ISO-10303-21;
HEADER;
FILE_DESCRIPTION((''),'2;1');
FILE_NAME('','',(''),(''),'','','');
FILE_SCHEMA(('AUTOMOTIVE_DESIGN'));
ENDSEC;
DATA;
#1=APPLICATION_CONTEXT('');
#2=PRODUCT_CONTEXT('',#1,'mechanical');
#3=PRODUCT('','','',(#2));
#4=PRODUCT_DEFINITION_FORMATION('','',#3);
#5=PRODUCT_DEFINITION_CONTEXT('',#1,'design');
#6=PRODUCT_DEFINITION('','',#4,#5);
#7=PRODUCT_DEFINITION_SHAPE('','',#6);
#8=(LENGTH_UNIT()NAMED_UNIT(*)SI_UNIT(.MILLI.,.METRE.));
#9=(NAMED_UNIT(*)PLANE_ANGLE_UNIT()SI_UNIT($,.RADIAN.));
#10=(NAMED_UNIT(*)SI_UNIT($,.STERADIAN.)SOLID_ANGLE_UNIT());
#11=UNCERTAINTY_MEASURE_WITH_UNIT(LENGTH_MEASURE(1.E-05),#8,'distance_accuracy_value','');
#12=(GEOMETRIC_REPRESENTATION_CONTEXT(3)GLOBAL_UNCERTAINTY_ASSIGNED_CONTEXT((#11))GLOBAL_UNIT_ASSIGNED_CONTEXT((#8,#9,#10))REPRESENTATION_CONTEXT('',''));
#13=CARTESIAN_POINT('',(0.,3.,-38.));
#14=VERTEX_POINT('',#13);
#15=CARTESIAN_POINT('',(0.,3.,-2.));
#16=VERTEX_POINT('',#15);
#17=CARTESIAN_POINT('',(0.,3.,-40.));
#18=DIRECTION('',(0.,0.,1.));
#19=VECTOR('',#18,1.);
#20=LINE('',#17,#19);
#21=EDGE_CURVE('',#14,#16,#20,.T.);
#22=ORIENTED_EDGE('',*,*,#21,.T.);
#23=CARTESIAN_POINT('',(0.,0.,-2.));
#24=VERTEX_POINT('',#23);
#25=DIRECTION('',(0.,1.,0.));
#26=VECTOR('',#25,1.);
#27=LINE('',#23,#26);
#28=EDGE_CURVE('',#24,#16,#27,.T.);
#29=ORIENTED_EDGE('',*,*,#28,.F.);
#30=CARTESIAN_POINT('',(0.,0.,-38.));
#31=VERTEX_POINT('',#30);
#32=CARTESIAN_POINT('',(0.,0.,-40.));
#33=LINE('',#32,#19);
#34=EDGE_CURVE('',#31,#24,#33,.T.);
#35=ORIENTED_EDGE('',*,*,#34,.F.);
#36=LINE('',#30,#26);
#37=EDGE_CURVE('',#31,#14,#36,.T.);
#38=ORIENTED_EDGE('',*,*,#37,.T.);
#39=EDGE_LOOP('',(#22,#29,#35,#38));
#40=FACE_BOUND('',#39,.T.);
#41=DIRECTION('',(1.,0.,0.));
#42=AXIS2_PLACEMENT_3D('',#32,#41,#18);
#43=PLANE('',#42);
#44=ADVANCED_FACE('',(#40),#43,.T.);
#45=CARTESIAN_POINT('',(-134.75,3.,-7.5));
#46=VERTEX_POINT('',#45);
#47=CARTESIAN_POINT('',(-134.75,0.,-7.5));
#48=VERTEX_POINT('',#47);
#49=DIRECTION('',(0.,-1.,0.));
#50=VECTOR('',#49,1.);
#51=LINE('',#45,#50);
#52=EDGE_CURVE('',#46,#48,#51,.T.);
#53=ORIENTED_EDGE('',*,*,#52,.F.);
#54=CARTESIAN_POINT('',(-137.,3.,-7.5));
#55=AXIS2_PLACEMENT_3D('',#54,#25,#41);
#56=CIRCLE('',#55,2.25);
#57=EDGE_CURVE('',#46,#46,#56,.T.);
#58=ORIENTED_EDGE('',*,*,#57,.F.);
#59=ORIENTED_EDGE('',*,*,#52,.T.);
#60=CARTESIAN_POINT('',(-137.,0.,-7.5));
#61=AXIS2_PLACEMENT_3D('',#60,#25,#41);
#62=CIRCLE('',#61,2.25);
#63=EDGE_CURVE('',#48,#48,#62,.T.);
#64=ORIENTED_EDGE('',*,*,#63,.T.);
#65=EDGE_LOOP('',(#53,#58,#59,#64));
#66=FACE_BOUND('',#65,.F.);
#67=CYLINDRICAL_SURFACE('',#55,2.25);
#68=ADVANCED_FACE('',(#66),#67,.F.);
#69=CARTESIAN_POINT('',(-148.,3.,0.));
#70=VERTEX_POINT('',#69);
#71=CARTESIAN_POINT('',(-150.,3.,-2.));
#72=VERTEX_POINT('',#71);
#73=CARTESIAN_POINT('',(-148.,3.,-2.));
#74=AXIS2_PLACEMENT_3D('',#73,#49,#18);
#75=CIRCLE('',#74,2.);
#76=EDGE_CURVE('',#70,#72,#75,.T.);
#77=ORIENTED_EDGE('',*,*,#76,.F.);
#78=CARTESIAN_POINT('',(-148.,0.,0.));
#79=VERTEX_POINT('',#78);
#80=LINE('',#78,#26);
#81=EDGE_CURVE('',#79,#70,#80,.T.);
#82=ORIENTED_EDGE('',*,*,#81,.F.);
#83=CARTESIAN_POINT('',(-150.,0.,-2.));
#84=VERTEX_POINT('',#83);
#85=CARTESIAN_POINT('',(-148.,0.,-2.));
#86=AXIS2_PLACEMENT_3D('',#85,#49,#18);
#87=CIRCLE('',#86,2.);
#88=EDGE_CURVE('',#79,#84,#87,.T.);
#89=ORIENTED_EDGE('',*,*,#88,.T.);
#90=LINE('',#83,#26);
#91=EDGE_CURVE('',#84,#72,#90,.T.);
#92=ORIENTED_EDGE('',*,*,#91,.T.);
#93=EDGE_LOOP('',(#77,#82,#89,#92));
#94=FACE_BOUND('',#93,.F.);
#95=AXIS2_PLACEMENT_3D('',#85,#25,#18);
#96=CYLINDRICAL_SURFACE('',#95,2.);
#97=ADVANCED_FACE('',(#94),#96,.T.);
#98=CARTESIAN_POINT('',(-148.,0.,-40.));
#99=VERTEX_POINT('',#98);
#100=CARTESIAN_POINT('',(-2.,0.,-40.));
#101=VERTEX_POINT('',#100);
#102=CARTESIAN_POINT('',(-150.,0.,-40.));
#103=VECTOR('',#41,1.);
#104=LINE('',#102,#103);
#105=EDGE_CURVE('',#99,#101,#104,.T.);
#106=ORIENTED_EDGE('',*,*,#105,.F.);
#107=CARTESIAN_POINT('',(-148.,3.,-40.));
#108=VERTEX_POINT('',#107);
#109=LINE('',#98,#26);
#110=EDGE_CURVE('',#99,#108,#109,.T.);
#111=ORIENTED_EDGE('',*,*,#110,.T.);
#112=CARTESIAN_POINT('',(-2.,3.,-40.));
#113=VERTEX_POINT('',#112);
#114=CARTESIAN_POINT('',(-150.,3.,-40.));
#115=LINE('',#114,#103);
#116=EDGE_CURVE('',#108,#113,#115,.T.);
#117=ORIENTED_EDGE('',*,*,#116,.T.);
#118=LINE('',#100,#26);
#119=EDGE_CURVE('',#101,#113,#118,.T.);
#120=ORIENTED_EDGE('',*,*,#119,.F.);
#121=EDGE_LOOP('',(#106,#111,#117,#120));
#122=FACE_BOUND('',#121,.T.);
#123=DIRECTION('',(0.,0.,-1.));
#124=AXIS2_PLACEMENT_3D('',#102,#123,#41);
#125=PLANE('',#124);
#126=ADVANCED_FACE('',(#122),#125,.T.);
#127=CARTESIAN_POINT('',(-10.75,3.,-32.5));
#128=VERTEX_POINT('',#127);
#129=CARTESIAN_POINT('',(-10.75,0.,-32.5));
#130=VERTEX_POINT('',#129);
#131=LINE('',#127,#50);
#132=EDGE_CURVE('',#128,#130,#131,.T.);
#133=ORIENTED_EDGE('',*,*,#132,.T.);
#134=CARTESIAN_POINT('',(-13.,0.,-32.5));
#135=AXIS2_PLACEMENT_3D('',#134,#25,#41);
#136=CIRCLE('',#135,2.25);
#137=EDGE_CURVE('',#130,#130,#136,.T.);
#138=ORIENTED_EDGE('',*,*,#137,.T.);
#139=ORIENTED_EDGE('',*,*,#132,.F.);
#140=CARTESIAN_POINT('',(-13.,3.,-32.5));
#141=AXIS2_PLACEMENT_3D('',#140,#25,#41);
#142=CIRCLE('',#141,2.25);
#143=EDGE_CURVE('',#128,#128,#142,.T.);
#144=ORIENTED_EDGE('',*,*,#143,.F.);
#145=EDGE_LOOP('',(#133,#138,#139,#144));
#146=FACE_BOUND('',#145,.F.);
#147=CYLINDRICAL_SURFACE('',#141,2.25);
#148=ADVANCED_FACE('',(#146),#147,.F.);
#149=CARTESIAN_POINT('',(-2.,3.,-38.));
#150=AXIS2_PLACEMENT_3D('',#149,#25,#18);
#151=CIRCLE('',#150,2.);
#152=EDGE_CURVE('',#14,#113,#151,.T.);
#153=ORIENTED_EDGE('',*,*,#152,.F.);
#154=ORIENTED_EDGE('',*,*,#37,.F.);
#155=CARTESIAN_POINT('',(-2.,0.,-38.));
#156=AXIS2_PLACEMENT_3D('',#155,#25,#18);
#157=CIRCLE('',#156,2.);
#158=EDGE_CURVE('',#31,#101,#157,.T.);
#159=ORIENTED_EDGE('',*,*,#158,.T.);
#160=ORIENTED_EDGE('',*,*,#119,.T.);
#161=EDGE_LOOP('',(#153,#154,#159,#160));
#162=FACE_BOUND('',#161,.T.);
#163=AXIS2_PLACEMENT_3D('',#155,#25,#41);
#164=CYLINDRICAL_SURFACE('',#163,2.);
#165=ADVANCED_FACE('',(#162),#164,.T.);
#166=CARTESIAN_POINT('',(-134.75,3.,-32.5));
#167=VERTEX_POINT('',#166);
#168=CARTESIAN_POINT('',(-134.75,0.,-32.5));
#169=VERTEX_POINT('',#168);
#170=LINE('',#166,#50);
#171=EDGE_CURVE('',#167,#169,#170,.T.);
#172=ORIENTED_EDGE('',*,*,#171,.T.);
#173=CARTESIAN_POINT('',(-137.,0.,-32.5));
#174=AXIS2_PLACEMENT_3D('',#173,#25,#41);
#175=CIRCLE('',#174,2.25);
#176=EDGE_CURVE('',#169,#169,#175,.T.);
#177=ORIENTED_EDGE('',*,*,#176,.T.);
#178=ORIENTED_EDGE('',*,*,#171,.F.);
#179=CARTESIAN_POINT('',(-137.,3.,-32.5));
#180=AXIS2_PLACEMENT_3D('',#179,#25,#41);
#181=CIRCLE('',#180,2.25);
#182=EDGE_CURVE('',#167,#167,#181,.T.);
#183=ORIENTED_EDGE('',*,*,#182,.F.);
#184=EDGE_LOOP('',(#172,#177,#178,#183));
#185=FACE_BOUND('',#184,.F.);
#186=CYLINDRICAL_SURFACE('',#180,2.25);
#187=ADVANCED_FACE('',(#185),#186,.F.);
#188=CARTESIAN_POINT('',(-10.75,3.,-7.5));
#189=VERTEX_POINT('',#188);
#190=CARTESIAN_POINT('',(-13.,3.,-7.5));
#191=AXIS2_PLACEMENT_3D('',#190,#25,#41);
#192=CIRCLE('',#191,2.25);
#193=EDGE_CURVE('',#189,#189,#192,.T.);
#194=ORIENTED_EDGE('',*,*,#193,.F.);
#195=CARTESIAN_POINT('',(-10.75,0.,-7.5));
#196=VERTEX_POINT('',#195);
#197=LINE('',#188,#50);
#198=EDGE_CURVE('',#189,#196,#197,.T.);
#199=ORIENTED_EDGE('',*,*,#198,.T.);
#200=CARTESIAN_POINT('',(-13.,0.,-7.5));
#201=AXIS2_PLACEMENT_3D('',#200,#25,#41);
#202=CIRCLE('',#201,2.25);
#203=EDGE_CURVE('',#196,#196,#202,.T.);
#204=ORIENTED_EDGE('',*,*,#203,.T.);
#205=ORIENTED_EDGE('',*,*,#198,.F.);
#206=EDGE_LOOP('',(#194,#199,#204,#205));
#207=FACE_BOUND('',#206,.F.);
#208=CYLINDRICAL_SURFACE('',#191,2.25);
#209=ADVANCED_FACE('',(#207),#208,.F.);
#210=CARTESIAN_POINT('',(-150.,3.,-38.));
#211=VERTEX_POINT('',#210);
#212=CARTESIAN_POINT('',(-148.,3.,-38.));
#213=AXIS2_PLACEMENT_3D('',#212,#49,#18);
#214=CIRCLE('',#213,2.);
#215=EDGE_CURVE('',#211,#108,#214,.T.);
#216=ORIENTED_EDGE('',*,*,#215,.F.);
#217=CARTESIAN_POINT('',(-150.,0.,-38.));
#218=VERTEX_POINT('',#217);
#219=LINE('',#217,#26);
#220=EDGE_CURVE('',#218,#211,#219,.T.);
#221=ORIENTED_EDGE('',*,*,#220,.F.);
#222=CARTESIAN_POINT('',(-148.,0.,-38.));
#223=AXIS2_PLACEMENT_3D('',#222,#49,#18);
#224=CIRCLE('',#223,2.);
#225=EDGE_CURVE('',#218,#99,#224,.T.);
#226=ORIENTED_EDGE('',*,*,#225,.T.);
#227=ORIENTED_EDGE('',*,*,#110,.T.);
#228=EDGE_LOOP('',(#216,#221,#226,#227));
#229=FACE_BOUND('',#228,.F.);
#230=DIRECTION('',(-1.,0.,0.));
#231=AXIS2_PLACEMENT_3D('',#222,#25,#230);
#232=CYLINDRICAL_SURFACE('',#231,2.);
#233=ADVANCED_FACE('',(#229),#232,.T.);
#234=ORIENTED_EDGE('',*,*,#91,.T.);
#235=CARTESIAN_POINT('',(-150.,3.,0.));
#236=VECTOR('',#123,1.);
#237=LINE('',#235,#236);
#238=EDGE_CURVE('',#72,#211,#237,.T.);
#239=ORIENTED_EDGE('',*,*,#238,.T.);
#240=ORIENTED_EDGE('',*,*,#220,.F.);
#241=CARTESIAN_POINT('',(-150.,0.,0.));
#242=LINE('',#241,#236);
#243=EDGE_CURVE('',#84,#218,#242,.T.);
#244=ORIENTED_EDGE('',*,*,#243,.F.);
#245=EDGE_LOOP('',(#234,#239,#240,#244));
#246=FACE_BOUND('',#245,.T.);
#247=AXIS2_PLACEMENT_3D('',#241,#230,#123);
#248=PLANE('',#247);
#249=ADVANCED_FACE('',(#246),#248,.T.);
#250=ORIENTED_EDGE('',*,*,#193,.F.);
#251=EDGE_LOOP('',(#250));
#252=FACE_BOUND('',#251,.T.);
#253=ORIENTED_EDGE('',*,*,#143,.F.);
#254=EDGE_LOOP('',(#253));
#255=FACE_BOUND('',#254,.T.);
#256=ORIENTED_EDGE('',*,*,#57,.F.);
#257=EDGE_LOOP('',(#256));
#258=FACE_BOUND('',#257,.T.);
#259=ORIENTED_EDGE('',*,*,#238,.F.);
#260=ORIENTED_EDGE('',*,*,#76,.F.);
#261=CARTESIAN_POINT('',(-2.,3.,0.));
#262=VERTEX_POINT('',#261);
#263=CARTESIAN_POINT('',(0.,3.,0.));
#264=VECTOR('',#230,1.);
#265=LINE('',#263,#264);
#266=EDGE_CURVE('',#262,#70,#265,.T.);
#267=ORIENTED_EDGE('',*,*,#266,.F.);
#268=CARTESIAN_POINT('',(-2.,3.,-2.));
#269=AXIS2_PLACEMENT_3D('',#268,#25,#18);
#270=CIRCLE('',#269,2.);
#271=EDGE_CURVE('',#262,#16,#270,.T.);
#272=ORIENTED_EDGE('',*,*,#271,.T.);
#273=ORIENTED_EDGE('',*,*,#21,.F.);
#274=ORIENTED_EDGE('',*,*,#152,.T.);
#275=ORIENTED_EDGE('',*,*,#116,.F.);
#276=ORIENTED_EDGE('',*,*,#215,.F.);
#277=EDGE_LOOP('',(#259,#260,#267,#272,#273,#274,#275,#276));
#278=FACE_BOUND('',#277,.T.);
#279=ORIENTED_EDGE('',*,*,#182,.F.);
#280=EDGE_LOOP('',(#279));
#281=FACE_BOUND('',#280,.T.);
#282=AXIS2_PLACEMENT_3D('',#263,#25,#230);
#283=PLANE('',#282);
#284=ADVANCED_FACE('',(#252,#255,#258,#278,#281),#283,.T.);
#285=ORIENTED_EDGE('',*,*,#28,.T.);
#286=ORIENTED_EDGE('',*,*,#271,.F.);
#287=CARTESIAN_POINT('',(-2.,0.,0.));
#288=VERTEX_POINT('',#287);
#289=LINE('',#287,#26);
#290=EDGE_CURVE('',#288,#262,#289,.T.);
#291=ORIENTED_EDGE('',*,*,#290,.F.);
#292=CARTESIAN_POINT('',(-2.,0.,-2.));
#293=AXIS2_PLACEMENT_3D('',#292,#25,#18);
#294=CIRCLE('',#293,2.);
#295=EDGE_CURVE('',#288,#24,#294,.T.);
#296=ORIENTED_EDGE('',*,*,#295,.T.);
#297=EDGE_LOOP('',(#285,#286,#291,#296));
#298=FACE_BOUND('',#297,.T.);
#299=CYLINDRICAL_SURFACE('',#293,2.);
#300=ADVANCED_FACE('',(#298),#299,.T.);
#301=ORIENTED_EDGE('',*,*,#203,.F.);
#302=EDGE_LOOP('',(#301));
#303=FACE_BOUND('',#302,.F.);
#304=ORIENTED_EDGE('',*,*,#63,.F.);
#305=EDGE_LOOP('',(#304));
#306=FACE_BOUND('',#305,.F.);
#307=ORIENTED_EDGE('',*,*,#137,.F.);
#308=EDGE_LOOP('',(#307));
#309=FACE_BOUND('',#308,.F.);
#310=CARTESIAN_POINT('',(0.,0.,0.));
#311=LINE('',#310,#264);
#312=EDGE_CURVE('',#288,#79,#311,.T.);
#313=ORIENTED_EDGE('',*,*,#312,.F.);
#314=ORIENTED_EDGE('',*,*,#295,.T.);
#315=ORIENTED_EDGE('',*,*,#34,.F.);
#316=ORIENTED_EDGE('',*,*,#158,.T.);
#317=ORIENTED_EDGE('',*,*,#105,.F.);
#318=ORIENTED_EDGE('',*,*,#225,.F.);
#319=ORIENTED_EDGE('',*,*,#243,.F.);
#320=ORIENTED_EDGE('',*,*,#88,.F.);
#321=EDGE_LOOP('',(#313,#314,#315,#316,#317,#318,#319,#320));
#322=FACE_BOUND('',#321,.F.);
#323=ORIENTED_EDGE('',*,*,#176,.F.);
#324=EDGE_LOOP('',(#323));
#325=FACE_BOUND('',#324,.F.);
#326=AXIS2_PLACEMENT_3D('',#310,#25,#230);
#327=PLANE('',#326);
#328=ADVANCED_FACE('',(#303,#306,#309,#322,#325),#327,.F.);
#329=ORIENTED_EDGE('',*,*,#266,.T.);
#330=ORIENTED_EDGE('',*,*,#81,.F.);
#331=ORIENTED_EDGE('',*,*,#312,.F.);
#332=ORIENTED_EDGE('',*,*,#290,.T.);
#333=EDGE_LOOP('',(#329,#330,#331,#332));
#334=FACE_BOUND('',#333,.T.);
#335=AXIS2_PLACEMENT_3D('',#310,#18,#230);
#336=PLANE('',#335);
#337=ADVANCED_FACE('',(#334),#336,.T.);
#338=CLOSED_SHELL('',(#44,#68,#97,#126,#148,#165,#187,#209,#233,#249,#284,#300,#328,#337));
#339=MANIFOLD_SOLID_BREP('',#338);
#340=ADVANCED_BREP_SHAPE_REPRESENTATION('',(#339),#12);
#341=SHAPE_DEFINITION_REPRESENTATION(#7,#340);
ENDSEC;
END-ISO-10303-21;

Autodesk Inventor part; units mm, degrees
ref_plane "YZ Plane" through (0, 0, 0) normal (1, 0, 0) x (0, 1, 0)
ref_plane "XZ Plane" through (0, 0, 0) normal (0, 1, 0) x (-1, 0, 0)
ref_plane "XY Plane" through (0, 0, 0) normal (0, 0, 1) x (1, 0, 0)
sketch "Skizze1" plane through (0, 0, 0) normal (0, 1, 0) x (-1, 0, 0)
  line L0 (0, 0) -> (150, 0)
  line L1 (150, 0) -> (150, -40)
  line L2 (150, -40) -> (0, -40)
  line L3 (0, -40) -> (0, 0)
  dimension "d0" = 40
  dimension "d1" = 150
extrude "Extrusion1" add sketch "Skizze1" along normal blind 3
sketch "Skizze2" plane through (0, 3, 0) normal (0, 1, 0) x (1, 0, 0)
  line L0 (-150, 0) -> (0, 0) projected
  line L1 (-75, 0) -> (-75, 40)
  line L2 (0, 40) -> (-150, 40) projected
  line L3 (-150, 40) -> (-150, 0) projected
  line L4 (-150, 20) -> (0, 20)
  line L5 (0, 0) -> (0, 40) projected
  line L6 (-13, 0) -> (-13, 40) construction
  circle A0 centre (-13, 7.5) radius 2.25
  circle A1 centre (-13, 32.5) radius 2.25
  circle A2 centre (-137, 7.5) radius 2.25
  circle A3 centre (-137, 32.5) radius 2.25
  dimension "d4" = 13
  dimension "d5" = 4.5
  dimension "d6" = 4.5
  dimension "d7" = 25
extrude "Extrusion2" cut sketch "Skizze2" against normal blind 3 contours A0 | A1 | A2 | A3
fillet "Rundung1" radius 2 4 edges at (-150, 1.5, 0) (-150, 1.5, -40) (0, 1.5, -40) (0, 1.5, 0)
properties part number "Stabilisator_05" material "PET-Kunststoff"
